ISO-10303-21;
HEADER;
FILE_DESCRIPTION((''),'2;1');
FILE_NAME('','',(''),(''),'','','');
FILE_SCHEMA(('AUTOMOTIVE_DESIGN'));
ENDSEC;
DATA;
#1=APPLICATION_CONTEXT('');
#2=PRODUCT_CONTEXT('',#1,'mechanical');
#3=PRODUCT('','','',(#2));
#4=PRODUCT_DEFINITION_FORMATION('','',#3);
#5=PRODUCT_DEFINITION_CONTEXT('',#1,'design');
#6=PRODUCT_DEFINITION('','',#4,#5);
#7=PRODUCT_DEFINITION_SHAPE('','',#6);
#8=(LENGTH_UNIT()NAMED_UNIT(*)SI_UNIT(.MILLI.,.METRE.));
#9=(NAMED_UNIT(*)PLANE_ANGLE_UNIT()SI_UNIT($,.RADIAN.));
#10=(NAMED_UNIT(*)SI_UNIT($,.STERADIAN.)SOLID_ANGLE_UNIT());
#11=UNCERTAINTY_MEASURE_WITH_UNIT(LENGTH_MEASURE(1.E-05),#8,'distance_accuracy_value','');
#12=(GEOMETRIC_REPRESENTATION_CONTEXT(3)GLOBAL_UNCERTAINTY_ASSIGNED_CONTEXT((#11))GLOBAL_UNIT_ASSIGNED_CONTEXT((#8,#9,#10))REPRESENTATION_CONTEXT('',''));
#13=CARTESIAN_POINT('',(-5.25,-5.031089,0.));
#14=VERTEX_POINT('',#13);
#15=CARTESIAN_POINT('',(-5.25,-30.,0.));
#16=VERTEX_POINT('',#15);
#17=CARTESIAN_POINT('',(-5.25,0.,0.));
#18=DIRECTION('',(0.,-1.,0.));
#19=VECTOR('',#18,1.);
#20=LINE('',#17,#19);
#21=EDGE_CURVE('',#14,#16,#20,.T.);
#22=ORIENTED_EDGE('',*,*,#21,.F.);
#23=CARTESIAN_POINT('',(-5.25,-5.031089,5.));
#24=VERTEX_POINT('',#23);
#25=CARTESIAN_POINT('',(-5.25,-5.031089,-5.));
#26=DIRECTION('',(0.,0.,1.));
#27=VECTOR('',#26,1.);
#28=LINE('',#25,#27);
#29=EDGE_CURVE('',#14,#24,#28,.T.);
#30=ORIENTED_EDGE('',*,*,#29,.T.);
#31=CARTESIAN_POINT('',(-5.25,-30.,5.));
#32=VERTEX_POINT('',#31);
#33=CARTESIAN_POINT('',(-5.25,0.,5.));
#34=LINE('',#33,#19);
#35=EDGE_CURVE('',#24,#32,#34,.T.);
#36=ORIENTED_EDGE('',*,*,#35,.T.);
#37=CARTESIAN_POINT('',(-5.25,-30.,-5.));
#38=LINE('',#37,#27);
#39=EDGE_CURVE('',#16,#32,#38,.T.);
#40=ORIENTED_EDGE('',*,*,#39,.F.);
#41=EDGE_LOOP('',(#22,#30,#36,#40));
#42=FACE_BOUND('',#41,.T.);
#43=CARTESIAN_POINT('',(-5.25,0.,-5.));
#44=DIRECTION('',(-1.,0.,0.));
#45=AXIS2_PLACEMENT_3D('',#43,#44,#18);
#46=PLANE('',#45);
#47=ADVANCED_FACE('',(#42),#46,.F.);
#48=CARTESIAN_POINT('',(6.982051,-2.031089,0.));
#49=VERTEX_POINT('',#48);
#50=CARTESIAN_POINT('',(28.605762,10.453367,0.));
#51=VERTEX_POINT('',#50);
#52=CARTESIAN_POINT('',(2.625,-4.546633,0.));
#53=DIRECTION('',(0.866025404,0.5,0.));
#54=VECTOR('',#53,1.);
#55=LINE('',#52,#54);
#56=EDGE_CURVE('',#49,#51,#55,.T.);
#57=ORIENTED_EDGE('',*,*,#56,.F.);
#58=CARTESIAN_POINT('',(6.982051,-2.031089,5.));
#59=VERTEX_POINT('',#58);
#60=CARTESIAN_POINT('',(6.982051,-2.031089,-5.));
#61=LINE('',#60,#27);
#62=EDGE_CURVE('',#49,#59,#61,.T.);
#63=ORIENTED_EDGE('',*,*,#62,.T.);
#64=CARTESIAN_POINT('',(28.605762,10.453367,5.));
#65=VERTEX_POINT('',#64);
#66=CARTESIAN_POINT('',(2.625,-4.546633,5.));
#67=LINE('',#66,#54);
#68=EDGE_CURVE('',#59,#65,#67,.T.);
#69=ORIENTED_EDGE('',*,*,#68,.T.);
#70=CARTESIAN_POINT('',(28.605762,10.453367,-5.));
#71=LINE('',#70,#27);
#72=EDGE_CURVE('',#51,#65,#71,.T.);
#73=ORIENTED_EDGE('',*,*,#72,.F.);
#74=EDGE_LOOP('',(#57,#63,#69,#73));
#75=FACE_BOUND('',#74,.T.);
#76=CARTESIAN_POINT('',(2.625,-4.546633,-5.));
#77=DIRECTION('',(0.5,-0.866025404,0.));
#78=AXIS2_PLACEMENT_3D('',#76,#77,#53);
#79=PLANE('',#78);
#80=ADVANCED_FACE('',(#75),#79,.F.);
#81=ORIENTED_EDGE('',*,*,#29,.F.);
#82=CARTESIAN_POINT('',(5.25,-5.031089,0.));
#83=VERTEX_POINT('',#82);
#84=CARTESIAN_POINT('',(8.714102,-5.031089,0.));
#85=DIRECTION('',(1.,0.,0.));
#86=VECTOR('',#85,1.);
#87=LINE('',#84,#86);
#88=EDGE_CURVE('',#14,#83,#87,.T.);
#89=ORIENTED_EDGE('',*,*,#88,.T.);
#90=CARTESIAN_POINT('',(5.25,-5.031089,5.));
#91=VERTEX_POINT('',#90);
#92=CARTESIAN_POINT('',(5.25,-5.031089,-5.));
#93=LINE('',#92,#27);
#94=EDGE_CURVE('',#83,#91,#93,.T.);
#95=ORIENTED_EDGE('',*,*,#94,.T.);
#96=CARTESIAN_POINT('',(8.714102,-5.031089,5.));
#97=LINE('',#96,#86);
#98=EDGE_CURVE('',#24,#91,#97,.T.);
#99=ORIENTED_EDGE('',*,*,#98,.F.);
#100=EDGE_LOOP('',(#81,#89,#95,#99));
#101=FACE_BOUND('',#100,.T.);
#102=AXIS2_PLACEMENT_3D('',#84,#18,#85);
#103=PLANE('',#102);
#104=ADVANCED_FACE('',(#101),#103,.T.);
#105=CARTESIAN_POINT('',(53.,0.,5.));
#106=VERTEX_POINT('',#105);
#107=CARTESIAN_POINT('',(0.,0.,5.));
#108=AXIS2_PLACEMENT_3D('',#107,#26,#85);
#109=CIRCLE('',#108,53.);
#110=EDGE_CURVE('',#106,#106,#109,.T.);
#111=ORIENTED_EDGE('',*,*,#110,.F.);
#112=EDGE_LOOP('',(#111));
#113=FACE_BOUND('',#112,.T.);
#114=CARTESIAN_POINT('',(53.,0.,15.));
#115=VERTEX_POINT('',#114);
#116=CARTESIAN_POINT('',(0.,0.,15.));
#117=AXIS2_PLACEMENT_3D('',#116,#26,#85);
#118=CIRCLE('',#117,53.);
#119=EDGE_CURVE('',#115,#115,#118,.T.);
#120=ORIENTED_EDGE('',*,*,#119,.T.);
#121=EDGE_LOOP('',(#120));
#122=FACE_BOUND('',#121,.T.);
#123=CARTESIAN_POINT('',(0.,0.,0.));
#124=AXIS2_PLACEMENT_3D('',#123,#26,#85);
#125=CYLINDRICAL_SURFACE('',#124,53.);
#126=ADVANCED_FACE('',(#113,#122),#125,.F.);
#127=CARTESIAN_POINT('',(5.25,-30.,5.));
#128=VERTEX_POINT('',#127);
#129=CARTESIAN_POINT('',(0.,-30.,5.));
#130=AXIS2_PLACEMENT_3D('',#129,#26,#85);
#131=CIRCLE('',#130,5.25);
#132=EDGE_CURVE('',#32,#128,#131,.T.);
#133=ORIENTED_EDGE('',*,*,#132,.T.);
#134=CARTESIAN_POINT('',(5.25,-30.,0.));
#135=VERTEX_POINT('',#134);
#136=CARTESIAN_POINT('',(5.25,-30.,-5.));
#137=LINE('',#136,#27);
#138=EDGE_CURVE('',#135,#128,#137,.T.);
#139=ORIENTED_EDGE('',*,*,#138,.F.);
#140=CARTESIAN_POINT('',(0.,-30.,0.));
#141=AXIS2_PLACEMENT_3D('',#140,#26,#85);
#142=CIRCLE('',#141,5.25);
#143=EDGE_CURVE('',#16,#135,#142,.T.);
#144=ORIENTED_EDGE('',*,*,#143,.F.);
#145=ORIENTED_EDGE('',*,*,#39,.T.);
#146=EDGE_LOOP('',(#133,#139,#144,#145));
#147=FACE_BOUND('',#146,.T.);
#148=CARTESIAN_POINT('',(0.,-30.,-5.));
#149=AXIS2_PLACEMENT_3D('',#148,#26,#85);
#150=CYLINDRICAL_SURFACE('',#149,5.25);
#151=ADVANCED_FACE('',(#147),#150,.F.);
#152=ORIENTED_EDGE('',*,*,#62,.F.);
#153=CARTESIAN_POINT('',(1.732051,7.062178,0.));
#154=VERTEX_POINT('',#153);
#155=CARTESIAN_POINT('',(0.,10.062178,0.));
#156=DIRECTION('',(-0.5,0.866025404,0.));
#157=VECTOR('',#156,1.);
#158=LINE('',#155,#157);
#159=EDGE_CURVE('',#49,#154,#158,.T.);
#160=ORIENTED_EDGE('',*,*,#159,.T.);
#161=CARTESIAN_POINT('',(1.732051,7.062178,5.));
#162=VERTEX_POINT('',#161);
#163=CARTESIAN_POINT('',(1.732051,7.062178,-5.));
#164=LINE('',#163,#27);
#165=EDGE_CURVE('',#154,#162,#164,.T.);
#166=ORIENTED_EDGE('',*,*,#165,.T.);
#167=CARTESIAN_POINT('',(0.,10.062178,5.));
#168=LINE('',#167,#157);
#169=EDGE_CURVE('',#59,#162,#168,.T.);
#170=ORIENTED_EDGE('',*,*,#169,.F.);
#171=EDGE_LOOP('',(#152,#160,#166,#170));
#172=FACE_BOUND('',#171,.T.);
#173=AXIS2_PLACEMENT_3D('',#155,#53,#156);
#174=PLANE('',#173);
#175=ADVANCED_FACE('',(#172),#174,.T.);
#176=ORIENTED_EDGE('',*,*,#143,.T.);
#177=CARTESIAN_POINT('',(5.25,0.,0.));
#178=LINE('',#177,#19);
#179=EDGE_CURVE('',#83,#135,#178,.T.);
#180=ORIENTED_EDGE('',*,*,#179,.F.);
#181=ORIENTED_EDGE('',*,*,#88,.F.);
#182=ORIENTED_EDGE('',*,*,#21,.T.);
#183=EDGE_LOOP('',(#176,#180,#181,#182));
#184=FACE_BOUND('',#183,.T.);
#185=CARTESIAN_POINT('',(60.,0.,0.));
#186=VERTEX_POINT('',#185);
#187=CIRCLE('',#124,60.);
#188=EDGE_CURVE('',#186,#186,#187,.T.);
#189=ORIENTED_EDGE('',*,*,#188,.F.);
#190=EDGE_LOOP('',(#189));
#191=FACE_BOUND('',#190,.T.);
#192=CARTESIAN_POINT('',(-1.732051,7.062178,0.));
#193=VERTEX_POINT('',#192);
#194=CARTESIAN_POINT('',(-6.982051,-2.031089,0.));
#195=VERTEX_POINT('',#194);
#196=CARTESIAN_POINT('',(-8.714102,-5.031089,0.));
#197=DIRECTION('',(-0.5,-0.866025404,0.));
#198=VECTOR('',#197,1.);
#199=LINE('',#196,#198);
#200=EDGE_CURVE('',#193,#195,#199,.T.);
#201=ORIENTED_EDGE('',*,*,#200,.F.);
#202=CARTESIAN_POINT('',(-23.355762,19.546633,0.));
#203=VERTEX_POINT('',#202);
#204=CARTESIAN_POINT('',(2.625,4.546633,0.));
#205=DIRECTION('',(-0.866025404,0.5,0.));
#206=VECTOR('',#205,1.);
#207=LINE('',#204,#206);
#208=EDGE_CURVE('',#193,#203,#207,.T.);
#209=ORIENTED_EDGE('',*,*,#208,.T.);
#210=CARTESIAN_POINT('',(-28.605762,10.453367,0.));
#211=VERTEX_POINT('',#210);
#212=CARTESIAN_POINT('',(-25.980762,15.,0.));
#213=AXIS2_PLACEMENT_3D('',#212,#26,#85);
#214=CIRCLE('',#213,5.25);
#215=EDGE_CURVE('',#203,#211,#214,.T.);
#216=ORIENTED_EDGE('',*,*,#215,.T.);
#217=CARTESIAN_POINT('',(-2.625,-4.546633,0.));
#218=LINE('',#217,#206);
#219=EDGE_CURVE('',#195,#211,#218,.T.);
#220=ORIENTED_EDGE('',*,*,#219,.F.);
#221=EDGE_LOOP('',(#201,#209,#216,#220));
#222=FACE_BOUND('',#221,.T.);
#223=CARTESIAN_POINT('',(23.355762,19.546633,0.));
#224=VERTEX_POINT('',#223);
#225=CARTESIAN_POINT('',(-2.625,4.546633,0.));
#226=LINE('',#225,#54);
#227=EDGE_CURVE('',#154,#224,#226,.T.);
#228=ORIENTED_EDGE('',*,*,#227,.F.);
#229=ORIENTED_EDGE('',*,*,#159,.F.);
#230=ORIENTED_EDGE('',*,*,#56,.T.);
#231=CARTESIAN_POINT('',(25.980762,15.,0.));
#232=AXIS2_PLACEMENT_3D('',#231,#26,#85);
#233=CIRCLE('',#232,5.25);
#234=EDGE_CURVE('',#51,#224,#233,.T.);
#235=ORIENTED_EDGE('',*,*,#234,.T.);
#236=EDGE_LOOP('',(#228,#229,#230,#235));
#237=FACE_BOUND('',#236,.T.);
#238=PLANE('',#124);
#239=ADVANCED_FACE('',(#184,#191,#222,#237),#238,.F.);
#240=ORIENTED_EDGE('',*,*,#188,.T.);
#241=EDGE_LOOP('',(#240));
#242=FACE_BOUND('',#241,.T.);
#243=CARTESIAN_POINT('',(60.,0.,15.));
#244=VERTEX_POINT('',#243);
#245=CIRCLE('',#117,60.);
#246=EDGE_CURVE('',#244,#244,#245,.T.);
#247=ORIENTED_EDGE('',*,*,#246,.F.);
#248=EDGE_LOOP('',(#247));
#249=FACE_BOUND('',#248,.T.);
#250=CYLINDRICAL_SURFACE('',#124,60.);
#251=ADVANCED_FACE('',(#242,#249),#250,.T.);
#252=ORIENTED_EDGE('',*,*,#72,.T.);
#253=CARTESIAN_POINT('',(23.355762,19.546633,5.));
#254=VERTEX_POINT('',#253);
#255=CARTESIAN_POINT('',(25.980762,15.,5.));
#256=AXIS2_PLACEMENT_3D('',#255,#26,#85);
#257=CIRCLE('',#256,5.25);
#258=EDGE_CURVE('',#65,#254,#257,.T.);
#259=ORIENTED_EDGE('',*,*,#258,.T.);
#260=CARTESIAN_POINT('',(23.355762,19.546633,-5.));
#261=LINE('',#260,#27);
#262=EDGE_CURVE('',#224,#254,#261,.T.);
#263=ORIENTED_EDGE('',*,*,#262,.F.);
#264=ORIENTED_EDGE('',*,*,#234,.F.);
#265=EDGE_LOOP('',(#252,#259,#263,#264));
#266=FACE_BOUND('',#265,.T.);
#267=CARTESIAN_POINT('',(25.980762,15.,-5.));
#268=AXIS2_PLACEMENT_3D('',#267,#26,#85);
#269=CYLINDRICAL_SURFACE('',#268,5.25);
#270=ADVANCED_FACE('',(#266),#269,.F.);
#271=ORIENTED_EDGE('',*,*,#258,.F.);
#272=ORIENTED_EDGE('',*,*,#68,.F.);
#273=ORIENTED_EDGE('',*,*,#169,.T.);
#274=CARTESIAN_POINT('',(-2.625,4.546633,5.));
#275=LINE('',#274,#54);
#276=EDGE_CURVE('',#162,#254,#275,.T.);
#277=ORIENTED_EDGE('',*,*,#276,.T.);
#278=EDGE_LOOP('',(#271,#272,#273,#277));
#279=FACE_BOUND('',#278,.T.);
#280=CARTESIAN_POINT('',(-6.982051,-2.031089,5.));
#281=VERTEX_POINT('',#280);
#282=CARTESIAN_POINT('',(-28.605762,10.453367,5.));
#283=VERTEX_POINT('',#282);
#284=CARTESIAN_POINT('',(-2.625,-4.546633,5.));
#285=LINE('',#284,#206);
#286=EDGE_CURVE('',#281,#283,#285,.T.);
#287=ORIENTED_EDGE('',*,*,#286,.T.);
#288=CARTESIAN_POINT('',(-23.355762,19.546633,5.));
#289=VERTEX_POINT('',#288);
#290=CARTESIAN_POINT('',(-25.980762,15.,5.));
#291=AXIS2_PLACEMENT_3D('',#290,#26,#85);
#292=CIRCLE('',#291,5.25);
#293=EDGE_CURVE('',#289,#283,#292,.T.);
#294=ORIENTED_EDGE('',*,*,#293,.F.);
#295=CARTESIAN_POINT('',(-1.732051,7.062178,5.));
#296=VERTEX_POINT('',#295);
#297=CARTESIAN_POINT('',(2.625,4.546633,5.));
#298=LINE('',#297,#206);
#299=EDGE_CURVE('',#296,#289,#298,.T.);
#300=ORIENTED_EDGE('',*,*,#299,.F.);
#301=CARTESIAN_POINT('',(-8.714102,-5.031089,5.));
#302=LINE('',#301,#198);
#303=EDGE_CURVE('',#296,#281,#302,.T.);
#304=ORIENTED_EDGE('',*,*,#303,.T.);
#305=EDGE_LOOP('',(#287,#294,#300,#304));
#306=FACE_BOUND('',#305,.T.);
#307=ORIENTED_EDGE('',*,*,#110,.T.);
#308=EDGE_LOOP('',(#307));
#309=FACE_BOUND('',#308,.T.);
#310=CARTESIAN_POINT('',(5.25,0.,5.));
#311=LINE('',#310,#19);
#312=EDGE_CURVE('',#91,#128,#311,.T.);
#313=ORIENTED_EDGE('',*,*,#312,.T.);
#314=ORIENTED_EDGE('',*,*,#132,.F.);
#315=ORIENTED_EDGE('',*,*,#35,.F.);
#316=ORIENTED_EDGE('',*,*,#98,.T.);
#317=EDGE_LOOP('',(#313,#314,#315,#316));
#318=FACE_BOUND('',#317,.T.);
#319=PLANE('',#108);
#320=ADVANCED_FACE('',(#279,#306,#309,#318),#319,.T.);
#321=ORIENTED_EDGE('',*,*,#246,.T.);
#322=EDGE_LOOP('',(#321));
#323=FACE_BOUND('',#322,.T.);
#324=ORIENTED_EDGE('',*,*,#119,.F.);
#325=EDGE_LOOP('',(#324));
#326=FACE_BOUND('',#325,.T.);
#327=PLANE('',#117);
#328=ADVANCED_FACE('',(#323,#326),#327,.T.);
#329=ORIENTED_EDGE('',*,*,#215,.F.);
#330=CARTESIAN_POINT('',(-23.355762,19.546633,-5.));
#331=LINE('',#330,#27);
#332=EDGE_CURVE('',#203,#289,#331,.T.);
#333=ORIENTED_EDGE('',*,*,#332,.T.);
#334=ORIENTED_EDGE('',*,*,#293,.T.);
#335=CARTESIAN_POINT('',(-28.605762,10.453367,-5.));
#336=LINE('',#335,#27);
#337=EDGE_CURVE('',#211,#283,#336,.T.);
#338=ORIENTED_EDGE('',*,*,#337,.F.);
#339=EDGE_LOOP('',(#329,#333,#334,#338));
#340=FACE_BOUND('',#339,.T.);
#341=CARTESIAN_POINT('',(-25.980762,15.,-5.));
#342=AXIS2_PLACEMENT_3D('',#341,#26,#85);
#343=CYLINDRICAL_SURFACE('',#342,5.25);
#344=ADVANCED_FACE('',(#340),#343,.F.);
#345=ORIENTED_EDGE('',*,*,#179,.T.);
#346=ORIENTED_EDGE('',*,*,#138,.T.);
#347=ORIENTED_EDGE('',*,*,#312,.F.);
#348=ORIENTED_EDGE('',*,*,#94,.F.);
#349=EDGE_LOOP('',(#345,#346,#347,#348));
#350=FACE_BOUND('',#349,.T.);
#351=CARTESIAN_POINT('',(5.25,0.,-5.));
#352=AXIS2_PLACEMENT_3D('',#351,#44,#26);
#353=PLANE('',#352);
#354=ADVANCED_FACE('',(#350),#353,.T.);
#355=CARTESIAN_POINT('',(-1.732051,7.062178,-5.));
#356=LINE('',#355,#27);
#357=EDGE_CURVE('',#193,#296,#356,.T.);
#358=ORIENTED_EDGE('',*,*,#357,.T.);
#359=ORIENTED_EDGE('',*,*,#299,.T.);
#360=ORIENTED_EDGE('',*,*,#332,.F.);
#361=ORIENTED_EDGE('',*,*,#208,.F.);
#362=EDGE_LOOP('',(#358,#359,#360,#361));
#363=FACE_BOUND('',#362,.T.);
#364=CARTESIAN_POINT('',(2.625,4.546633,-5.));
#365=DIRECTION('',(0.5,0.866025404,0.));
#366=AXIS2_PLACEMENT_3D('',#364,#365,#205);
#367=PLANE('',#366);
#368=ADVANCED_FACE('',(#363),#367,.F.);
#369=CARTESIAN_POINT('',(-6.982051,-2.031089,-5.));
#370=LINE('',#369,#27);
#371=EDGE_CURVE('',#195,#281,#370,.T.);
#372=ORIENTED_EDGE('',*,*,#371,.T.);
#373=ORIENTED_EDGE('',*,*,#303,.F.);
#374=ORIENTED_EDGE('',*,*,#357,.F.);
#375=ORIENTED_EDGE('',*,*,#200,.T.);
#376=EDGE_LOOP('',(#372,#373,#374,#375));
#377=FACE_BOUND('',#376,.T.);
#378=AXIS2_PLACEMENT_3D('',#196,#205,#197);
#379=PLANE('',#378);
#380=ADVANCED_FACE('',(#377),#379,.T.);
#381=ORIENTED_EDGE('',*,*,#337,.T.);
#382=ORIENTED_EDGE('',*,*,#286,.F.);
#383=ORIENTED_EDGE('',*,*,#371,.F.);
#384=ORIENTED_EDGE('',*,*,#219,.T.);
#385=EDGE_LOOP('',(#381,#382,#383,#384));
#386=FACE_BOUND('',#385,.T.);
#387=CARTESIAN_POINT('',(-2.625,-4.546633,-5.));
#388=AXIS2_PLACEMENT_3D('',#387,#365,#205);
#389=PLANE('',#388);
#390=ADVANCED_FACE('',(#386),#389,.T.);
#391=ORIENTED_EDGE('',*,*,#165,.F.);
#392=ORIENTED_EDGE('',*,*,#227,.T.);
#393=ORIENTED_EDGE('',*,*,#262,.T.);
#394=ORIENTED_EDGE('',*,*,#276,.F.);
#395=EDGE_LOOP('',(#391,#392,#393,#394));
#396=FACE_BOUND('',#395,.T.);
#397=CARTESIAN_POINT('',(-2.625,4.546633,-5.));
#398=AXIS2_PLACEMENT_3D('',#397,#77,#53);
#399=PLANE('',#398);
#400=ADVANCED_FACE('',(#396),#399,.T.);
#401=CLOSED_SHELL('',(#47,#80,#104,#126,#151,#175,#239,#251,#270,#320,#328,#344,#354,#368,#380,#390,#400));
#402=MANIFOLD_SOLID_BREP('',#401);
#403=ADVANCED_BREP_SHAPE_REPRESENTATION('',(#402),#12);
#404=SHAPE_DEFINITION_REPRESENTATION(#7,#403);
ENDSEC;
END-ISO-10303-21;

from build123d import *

# Parameters (mm, degrees)
CROQUIS1_R                   = 55
DISCO_DEPTH                  = 5
CORTAR_EXTRUIR1_DEPTH        = 10
SALIENTE_EXTRUIR1_DEPTH      = 10
SALIENTE_EXTRUIR1_DEPTH_BACK = 5
CROQUIS7_R                   = 60
CROQUIS7_R_2                 = 55
CROQUIS7_R_3                 = 53
SALIENTE_EXTRUIR6_DEPTH      = 5


with BuildPart() as part:
    # Croquis1 → Disco (new body)
    with BuildSketch(Plane.XY):
        Circle(CROQUIS1_R)
    extrude(amount=DISCO_DEPTH)

    # Croquis6 → Cortar-Extruir1 (cut)
    with BuildSketch(Plane.XY.offset(5)):
        with BuildLine():
            Line((-5.25, 0), (-5.25, -30))
            ThreePointArc((-5.25, -30), (0, -35.25), (5.25, -30))
            Line((5.25, -30), (5.25, 0))
            ThreePointArc((5.25, 0), (0, 5.25), (-5.25, 0))
        make_face()
        with BuildLine():
            Line((2.625, 4.54663337), (-23.355762114, 19.54663337))
            ThreePointArc((-23.355762114, 19.54663337), (-30.527395483, 17.625), (-28.605762114, 10.45336663))
            Line((-28.605762114, 10.45336663), (-2.625, -4.54663337))
            ThreePointArc((-2.625, -4.54663337), (4.54663337, -2.625), (2.625, 4.54663337))
        make_face()
        with BuildLine():
            Line((2.625, -4.54663337), (28.605762114, 10.45336663))
            ThreePointArc((28.605762114, 10.45336663), (30.527395483, 17.625), (23.355762114, 19.54663337))
            Line((23.355762114, 19.54663337), (-2.625, 4.54663337))
            ThreePointArc((-2.625, 4.54663337), (-4.54663337, -2.625), (2.625, -4.54663337))
        make_face()
    extrude(amount=-CORTAR_EXTRUIR1_DEPTH, mode=Mode.SUBTRACT)

    # Croquis7 → Saliente-Extruir1 (add, two sides: drawn at the far end of the back side and taken through both)
    # profile 1 of 2: a face of its own
    with BuildSketch(Plane.XY.offset(5).offset(-SALIENTE_EXTRUIR1_DEPTH_BACK)):
        Circle(CROQUIS7_R)
        Circle(CROQUIS7_R_2, mode=Mode.SUBTRACT)
    # profile 2 of 2: a face of its own
    with BuildSketch(Plane.XY.offset(5).offset(-SALIENTE_EXTRUIR1_DEPTH_BACK)):
        Circle(CROQUIS7_R_2)
        Circle(CROQUIS7_R_3, mode=Mode.SUBTRACT)
    extrude(amount=SALIENTE_EXTRUIR1_DEPTH + SALIENTE_EXTRUIR1_DEPTH_BACK)

    # Croquis8 → Saliente-Extruir6 (add)
    with BuildSketch(Plane.XY.offset(5)):
        Polygon((-8.714101615, -5.031088913), (0, 10.062177826), (8.714101615, -5.031088913), align=None)
    extrude(amount=-SALIENTE_EXTRUIR6_DEPTH)


solid = part.part
